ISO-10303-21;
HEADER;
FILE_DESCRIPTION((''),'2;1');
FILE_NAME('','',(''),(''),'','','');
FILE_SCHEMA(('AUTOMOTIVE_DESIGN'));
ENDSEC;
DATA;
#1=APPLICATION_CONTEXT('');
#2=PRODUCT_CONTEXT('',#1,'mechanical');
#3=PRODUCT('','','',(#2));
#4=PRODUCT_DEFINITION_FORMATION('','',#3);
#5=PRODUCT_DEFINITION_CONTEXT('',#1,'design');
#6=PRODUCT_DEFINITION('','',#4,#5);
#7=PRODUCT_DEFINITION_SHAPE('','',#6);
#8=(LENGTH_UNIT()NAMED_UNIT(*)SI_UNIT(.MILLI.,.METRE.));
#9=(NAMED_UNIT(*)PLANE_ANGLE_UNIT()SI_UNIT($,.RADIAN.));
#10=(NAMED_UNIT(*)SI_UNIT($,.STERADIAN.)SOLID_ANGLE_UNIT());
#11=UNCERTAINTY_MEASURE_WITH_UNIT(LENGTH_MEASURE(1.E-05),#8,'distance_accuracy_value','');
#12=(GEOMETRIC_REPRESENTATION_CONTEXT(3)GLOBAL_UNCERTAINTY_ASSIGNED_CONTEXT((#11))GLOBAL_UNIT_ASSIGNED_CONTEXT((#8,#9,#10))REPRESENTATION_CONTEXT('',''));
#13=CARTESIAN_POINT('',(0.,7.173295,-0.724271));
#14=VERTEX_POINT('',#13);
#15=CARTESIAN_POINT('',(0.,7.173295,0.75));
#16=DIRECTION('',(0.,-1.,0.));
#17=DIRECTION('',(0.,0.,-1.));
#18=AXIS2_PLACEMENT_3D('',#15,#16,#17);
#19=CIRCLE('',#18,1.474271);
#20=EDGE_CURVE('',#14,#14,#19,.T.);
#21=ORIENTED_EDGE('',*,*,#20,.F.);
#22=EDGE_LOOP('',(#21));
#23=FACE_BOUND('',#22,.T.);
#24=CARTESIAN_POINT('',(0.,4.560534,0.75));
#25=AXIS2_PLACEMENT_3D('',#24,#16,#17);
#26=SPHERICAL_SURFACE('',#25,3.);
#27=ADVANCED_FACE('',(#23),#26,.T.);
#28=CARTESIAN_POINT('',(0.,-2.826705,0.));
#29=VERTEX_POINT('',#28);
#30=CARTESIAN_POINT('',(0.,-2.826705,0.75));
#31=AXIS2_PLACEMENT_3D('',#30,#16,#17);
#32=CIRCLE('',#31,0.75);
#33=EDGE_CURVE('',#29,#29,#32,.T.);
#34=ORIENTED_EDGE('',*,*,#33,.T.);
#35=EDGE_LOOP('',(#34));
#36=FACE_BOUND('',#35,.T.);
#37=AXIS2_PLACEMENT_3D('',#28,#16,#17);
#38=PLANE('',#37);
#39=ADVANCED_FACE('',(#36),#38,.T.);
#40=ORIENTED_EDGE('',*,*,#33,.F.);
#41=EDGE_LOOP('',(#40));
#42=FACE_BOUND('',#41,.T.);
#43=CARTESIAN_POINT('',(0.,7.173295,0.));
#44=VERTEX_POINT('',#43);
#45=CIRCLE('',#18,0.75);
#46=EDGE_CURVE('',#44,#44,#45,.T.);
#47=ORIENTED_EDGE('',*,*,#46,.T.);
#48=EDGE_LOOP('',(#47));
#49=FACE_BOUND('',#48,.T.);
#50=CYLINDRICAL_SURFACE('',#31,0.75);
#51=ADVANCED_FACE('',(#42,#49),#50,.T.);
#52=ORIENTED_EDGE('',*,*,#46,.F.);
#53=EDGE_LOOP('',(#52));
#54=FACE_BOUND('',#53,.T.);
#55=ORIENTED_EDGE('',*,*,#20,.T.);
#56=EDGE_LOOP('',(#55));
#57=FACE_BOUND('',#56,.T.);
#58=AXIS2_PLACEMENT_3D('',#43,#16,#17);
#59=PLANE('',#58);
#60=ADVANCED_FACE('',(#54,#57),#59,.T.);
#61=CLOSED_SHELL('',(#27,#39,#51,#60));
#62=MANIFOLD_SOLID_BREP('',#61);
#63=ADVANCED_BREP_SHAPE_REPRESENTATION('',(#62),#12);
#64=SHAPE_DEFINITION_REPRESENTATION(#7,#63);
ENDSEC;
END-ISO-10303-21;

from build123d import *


with BuildPart() as part:
    # Sketch1 → Revolve1 (revolve)
    with BuildSketch(Plane(origin=(0, 0, 0), x_dir=(0, 0, -1), z_dir=(1, 0, 0))):
        with BuildLine():
            Line((0, 7.173295455), (0, -2.826704545))
            Line((0, -2.826704545), (-0.75, -2.826704545))
            Line((-0.75, -2.826704545), (-0.75, 7.560533622))
            ThreePointArc((-0.75, 7.560533622), (0.012139916, 7.46210953), (0.724271212, 7.173295455))
            Line((0.724271212, 7.173295455), (0, 7.173295455))
        make_face()
    revolve(axis=Axis((0, -2.826704545, 0.75), (0, 1, 0)))


solid = part.part
